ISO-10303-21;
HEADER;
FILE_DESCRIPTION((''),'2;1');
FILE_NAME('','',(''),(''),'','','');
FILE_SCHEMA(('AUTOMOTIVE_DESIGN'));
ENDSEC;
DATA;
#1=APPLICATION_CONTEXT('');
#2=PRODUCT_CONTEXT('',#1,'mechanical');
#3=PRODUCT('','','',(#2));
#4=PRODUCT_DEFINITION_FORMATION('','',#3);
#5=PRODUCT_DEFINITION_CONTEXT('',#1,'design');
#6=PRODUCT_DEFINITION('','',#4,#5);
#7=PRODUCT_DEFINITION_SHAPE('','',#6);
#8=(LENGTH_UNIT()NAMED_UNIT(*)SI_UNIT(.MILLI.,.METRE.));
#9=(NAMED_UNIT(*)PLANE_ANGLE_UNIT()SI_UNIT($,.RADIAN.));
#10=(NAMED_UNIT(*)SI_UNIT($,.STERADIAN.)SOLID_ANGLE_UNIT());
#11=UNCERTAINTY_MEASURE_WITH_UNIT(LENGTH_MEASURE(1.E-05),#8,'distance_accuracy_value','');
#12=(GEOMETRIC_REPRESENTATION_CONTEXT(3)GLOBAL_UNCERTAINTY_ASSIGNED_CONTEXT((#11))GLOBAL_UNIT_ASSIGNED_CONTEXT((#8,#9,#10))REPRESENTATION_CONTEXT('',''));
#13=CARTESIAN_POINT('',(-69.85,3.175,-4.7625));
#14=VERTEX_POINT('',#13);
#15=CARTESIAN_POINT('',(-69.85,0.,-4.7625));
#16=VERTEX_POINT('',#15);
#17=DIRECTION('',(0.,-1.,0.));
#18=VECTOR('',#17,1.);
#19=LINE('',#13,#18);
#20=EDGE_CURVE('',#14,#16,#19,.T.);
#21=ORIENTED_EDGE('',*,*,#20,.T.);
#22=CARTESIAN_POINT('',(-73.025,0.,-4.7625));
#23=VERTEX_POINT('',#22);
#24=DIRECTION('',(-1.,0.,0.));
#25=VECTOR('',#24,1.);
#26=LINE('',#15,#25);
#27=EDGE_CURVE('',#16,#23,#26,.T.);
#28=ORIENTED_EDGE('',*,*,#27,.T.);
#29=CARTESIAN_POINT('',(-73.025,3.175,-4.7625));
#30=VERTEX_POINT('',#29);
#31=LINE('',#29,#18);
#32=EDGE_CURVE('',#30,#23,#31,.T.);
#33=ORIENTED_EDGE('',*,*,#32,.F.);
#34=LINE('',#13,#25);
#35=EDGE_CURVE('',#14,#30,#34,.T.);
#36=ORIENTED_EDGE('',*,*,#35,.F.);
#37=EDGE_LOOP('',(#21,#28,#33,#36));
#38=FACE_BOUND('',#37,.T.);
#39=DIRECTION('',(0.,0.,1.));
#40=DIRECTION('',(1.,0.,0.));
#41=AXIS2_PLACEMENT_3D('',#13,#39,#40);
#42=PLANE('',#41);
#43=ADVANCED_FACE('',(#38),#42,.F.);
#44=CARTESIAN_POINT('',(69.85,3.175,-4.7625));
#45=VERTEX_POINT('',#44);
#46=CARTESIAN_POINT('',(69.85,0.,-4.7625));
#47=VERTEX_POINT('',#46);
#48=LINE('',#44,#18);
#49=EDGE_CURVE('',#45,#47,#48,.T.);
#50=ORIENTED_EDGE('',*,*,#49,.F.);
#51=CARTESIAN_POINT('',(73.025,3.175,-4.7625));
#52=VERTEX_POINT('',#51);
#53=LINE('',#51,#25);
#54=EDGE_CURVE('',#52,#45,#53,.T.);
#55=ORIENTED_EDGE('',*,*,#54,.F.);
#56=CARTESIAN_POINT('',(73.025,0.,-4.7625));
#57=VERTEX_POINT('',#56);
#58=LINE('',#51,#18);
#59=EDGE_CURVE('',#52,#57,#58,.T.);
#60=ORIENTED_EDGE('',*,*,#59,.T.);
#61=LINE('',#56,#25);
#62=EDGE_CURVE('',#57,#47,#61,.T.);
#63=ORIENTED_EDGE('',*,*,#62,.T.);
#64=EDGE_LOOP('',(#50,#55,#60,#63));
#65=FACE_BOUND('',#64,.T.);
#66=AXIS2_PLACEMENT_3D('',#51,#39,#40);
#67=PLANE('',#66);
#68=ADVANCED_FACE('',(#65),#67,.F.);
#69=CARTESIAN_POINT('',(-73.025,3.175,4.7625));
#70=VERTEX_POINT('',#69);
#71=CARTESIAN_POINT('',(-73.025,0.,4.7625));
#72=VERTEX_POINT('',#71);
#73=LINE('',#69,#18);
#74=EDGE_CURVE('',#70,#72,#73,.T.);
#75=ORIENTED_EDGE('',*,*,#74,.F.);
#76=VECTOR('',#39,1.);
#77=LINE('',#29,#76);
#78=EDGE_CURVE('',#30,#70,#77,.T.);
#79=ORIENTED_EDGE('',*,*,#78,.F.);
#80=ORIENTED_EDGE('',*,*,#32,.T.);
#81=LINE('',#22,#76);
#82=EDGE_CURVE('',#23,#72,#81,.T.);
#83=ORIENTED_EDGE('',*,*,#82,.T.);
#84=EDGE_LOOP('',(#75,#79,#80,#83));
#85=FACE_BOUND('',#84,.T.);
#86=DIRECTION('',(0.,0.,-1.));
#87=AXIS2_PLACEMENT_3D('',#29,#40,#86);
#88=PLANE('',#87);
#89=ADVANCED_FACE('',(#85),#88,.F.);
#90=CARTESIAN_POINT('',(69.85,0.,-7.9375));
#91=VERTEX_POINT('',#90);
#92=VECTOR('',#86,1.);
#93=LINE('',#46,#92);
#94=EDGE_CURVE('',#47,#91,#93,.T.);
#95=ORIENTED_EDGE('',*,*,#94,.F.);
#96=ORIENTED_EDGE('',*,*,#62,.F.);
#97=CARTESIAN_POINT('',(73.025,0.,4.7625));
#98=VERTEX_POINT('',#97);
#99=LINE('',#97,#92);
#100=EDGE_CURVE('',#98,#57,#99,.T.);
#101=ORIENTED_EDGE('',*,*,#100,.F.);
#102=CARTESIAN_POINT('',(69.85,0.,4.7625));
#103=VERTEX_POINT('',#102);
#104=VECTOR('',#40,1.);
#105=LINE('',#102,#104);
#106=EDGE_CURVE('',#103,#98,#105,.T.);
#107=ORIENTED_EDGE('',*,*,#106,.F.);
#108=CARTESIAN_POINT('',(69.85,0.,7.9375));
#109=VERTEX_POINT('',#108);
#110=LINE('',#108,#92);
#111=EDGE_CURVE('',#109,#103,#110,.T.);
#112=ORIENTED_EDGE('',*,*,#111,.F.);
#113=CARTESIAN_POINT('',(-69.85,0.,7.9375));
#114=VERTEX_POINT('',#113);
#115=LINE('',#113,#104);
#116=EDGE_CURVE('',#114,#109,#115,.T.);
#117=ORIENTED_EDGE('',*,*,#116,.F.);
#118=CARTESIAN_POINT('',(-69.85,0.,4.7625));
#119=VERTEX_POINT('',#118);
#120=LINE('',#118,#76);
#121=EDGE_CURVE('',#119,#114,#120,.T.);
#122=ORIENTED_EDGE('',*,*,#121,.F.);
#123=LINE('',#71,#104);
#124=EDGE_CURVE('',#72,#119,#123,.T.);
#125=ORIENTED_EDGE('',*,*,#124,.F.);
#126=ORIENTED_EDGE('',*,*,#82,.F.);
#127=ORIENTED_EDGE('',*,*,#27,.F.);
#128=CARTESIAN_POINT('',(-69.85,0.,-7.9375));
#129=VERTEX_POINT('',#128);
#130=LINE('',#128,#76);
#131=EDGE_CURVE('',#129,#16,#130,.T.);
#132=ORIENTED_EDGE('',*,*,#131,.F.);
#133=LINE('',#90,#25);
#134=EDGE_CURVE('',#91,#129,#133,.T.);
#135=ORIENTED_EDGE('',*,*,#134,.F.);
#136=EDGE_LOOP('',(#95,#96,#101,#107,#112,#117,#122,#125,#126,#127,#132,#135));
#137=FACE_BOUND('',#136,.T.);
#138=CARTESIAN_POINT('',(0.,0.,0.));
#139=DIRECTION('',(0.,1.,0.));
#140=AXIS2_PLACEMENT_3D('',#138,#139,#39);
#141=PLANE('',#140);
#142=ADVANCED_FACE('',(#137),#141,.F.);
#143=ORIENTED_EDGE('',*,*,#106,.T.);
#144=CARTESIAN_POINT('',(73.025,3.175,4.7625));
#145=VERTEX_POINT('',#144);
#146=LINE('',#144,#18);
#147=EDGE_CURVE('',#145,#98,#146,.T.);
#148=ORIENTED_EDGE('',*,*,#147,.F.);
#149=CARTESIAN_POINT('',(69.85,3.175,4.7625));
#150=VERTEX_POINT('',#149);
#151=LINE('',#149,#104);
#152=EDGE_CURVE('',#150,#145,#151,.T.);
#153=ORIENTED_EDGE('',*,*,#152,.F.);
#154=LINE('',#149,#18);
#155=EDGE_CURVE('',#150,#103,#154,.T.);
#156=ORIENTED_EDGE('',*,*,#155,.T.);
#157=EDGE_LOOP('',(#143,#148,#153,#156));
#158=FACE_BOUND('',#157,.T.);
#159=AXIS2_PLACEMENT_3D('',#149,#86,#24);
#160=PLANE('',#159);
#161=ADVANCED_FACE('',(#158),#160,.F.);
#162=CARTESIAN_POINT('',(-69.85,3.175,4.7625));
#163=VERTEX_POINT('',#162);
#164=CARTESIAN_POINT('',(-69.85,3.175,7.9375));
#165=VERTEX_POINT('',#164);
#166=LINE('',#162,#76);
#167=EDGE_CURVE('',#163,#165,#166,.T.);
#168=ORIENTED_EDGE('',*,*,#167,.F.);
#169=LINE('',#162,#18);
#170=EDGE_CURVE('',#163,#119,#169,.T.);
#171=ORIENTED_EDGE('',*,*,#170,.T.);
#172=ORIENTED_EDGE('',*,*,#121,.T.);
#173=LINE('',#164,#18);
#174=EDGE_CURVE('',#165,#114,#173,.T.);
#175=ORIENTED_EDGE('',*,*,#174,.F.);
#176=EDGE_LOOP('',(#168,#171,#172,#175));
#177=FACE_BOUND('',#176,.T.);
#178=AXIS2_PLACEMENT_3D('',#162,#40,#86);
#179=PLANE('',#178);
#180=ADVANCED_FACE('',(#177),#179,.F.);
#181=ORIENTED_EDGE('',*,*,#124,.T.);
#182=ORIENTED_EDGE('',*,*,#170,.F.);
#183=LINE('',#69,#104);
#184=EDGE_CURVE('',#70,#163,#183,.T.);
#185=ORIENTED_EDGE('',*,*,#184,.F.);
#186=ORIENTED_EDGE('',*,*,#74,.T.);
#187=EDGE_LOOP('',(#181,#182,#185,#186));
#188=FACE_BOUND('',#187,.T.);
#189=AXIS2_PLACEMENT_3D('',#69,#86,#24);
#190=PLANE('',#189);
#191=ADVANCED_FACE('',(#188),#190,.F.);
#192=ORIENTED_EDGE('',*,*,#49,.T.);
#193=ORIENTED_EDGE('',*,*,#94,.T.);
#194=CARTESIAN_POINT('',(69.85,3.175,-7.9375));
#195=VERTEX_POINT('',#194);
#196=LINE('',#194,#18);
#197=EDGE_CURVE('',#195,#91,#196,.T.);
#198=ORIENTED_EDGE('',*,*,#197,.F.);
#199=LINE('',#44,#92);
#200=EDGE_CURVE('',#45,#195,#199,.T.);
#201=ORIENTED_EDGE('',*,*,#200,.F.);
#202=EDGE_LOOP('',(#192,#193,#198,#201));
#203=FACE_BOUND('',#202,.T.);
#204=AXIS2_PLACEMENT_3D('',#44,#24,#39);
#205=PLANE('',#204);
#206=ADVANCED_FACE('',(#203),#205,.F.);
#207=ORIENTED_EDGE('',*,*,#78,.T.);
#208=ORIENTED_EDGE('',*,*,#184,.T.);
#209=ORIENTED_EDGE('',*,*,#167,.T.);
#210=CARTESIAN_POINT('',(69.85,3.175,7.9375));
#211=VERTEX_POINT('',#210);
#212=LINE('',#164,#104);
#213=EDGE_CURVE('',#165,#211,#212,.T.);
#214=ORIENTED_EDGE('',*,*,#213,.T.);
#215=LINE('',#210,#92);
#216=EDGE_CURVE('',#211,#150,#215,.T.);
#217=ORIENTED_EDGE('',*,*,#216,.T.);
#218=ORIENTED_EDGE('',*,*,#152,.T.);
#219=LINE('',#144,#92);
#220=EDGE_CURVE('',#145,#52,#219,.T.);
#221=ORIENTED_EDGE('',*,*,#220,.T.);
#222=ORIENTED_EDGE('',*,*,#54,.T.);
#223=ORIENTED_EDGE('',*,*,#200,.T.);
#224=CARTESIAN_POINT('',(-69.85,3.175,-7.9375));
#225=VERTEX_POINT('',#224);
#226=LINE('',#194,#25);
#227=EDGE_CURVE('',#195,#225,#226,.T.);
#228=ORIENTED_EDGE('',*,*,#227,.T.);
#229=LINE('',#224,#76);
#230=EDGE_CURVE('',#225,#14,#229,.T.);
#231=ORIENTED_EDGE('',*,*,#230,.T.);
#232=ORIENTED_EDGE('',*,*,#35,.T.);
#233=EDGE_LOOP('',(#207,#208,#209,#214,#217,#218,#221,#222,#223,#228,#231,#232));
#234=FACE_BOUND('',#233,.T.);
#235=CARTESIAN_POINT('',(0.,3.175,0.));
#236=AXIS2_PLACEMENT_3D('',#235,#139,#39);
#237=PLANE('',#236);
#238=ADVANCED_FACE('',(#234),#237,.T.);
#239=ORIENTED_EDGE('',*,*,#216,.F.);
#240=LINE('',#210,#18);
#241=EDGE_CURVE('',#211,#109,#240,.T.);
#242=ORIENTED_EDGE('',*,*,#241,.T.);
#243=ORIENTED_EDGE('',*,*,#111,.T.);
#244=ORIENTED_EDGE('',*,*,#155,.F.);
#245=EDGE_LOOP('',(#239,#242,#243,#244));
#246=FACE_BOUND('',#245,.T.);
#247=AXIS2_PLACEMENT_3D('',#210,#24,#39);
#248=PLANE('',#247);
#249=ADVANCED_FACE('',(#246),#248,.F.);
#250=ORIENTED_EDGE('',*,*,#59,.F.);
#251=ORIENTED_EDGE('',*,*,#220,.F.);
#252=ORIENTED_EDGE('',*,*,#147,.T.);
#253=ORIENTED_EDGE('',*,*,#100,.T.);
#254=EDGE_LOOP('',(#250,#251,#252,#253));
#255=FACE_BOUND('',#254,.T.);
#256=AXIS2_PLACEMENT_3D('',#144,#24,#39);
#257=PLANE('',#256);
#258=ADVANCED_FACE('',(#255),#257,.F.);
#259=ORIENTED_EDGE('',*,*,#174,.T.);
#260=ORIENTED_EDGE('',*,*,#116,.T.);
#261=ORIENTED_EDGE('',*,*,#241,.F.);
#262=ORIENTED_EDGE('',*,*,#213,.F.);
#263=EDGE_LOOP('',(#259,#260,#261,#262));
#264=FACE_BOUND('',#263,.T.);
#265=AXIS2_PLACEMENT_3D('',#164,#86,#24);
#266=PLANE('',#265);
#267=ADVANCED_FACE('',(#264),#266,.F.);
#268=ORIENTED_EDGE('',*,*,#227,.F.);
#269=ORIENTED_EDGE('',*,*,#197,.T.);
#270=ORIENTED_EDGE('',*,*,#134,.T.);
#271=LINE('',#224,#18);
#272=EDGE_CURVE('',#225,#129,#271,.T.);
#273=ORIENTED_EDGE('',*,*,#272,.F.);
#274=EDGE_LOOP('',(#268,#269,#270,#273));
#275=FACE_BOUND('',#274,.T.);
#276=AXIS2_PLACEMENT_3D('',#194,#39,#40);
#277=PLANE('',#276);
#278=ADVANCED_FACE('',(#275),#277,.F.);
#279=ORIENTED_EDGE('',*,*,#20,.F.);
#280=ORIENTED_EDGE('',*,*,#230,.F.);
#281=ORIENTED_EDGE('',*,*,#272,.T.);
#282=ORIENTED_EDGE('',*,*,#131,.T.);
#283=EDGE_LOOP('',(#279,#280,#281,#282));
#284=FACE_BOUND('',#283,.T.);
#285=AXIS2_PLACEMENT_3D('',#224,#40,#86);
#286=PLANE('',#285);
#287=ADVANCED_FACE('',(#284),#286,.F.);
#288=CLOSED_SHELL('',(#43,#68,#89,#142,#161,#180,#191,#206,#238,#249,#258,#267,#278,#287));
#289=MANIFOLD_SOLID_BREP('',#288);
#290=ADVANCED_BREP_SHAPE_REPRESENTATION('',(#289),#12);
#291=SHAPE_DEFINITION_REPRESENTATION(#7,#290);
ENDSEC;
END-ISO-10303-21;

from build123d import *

# Parameters (mm, degrees)
BOSS_EXTRUDE1_DEPTH = 3.175


with BuildPart() as part:
    # Sketch1 → Boss-Extrude1 (new body)
    with BuildSketch(Plane(origin=(0, 0, 0), x_dir=(1, 0, 0), z_dir=(0, 1, 0))):
        Polygon((-69.85, -7.9375), (69.85, -7.9375), (69.85, -4.7625), (73.025, -4.7625), (73.025, 4.7625), (69.85, 4.7625), (69.85, 7.9375), (-69.85, 7.9375), (-69.85, 4.7625), (-73.025, 4.7625), (-73.025, -4.7625), (-69.85, -4.7625), align=None)
    extrude(amount=BOSS_EXTRUDE1_DEPTH)


solid = part.part
